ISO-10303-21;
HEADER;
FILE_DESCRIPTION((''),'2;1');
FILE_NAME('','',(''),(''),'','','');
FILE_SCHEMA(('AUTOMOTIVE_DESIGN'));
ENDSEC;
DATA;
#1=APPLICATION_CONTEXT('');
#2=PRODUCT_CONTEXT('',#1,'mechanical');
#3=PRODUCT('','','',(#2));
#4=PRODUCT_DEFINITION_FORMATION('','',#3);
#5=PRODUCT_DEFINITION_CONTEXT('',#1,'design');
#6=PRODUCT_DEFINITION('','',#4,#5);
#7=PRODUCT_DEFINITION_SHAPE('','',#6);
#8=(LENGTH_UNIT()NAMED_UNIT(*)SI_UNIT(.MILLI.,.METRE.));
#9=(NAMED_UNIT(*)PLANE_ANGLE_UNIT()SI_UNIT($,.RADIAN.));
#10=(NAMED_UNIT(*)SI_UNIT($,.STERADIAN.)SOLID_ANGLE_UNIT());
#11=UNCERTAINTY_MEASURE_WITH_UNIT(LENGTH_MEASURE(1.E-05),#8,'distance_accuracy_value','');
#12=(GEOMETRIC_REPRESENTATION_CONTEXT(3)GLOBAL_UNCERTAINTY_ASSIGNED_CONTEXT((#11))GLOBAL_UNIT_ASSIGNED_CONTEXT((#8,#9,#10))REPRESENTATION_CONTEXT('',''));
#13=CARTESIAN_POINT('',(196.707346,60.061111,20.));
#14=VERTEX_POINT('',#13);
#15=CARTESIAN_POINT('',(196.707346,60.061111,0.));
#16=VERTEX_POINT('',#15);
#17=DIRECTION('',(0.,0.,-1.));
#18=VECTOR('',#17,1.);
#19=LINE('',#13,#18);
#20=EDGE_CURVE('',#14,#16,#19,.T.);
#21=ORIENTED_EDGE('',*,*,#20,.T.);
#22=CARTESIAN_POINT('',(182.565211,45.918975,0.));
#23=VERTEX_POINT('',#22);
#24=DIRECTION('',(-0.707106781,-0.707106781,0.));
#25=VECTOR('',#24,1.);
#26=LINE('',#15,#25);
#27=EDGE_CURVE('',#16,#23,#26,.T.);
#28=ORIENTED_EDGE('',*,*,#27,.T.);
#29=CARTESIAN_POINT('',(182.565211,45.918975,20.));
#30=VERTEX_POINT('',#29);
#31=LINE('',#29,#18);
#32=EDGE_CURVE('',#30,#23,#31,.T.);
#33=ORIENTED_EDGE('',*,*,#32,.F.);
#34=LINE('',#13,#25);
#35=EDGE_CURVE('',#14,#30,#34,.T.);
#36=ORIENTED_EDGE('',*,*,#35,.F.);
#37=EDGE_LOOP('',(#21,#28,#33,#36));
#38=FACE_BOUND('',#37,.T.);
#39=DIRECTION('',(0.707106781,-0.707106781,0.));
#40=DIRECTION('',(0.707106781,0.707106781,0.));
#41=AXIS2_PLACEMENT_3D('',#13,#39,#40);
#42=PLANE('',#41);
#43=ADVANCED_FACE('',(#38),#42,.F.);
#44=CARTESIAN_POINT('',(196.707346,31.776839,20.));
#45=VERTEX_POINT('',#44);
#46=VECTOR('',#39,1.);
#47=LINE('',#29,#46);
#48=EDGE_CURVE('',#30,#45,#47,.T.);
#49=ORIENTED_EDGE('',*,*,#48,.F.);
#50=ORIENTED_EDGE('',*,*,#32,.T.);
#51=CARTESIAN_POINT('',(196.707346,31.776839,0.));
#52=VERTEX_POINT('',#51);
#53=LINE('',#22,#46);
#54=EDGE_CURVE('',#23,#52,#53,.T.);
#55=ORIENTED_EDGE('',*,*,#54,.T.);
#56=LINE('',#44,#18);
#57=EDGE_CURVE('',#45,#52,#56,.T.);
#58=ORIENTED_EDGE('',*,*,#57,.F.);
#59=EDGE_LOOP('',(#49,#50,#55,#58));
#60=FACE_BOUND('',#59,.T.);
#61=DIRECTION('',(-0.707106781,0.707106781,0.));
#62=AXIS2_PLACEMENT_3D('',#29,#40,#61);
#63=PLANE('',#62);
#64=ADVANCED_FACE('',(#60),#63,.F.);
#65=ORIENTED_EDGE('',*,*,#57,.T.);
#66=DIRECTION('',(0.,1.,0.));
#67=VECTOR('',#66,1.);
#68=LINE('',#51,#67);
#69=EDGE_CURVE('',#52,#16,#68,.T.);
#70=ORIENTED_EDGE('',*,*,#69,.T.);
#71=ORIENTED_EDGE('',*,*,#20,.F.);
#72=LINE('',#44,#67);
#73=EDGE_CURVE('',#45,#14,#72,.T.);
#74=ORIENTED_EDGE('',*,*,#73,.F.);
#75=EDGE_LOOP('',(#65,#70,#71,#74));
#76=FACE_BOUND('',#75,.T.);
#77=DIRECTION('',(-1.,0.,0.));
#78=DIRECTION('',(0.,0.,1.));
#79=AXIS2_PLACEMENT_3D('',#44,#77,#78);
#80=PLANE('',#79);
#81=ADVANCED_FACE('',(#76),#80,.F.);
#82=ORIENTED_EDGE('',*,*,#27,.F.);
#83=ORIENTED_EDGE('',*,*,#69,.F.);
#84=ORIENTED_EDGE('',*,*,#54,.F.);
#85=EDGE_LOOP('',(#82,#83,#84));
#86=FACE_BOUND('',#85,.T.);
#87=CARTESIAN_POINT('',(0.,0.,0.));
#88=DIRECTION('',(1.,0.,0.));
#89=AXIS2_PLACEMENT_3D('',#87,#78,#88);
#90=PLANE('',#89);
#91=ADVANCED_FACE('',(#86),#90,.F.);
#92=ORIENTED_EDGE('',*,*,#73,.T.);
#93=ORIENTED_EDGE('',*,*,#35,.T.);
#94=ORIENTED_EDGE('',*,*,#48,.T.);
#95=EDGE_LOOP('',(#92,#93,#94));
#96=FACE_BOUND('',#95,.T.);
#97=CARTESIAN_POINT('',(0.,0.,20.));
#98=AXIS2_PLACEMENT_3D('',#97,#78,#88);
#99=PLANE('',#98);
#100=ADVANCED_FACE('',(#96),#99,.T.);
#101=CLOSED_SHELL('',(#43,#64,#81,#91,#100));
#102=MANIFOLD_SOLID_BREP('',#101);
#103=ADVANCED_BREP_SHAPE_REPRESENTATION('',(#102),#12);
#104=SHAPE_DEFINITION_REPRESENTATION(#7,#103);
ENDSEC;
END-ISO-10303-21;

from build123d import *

# Parameters (mm, degrees)
EXTRUDE_1_DEPTH = 20


with BuildPart() as part:
    # 草图1 → 凸台-拉伸1 (new body)
    with BuildSketch(Plane.XY):
        Polygon((196.707346195, 60.06111063), (182.565210571, 45.918975006), (196.707346195, 31.776839383), align=None)
    extrude(amount=EXTRUDE_1_DEPTH)


solid = part.part
